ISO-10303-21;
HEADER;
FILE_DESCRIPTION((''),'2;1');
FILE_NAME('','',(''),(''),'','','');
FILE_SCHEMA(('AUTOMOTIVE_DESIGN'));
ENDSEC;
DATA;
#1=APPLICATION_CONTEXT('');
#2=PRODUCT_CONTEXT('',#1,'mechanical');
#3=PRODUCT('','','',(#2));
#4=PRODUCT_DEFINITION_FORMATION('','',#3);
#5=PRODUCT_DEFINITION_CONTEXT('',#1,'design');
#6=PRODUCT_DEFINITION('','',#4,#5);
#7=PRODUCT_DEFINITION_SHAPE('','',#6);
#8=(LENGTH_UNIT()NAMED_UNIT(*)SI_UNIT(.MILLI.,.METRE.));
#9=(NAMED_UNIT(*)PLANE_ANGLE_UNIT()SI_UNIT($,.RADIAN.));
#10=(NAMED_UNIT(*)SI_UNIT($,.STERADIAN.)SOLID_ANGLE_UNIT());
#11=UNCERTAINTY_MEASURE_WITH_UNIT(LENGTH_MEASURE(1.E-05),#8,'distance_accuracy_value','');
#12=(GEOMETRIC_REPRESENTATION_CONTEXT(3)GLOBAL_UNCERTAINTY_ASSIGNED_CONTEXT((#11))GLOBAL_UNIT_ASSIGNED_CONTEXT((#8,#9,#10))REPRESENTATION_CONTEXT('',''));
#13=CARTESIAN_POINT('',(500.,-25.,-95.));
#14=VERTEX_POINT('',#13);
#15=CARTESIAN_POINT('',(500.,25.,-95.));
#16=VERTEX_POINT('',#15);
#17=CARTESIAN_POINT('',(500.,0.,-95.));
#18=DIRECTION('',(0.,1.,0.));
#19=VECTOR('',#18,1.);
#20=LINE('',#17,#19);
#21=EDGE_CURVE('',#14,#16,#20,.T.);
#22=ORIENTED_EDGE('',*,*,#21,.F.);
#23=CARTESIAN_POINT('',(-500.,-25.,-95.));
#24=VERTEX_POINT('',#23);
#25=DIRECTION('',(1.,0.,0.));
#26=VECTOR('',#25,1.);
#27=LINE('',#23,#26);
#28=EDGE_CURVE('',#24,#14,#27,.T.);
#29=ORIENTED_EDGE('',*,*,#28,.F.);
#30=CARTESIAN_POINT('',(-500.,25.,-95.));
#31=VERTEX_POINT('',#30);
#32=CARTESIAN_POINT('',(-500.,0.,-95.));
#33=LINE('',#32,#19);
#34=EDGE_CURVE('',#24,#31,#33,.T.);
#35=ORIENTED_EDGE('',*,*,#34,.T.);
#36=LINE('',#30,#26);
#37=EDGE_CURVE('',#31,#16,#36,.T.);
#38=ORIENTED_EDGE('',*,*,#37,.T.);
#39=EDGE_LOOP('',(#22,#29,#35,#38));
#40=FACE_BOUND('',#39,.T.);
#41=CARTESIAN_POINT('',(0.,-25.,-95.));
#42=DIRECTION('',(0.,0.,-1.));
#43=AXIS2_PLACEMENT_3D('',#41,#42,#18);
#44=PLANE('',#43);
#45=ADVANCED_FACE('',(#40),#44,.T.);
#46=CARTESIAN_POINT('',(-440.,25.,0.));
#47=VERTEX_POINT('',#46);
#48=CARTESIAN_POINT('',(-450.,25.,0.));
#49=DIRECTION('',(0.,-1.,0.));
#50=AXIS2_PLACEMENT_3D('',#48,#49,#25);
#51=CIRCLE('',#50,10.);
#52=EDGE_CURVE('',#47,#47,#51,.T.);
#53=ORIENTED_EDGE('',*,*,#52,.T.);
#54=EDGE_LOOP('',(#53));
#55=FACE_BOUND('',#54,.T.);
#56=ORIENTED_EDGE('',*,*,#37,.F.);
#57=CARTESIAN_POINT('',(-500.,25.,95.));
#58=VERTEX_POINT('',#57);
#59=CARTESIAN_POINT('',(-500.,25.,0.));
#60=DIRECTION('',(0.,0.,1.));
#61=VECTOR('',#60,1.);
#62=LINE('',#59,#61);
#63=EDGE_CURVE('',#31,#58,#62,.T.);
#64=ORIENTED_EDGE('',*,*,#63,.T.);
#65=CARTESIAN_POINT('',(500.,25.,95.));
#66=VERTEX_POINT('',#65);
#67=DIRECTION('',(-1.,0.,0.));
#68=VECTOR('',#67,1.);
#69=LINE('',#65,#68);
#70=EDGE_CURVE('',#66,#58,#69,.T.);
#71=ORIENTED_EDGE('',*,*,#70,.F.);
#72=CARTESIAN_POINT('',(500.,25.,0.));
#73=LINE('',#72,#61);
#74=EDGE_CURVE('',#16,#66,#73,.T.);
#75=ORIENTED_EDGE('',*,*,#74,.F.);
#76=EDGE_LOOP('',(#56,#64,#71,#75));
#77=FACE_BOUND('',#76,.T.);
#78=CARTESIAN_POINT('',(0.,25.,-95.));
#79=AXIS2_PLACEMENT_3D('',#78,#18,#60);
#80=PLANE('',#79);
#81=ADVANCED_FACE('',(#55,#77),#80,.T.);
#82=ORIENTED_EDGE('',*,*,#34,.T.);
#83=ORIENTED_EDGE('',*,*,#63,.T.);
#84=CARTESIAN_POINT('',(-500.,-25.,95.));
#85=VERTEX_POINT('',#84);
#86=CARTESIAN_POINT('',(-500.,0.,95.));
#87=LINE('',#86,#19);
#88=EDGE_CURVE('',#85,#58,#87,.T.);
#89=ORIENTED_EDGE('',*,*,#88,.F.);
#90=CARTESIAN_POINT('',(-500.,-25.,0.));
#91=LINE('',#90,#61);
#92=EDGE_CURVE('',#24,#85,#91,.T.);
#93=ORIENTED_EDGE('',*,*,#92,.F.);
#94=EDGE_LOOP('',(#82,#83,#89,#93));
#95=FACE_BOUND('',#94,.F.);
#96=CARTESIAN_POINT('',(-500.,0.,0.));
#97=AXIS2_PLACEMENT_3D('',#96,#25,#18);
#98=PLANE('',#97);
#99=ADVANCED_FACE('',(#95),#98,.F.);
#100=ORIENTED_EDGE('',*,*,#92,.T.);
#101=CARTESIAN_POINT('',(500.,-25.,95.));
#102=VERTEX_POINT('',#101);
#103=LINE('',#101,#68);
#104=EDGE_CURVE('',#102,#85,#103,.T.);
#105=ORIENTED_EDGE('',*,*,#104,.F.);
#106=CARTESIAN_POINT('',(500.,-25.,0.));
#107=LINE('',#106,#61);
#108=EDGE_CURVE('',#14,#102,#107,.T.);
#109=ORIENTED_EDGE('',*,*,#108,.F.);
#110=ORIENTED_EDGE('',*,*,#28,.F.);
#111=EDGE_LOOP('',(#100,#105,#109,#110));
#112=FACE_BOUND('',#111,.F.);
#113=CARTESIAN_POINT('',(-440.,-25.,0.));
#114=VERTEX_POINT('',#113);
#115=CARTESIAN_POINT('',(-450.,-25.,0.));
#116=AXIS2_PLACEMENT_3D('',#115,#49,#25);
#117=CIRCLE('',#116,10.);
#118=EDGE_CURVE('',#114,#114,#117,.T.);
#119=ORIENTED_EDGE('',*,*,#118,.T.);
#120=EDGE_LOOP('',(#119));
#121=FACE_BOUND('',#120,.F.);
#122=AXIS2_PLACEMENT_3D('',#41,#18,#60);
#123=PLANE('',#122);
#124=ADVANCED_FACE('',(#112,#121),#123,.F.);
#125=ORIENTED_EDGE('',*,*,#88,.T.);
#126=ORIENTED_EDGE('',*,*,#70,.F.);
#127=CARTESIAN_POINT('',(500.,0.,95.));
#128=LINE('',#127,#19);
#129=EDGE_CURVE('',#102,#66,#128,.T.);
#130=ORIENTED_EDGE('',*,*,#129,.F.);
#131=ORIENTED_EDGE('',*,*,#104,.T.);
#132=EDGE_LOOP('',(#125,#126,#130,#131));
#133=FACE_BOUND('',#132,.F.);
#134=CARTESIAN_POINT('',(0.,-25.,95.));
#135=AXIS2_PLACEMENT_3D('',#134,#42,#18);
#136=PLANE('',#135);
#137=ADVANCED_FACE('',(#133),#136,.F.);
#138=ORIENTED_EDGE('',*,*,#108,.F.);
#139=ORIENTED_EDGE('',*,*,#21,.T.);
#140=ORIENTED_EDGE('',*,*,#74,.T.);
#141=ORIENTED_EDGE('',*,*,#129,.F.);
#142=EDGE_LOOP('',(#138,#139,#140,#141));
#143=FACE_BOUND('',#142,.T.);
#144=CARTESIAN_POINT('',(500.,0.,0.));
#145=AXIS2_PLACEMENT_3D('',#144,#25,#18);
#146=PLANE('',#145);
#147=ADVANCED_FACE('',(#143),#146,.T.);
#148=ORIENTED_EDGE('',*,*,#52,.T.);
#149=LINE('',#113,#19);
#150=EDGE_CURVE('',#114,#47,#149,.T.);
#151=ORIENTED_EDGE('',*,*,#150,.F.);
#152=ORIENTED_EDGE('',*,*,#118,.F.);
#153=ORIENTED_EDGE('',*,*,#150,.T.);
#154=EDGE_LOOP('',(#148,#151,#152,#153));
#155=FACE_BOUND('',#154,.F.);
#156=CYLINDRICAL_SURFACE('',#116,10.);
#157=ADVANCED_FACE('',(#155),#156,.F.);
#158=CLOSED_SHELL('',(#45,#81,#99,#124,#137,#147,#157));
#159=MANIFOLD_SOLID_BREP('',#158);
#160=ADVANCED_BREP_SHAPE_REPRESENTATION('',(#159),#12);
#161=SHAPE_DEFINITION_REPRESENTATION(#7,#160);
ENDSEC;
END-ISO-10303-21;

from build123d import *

# Parameters (mm, degrees)
F0_W     = 50
F0_H     = 190
F1_DEPTH = 500
F3_R     = 10
F4_DEPTH = 50.001


with BuildPart() as f1:
    # F0 (on Right) → F1 (new body, symmetric)
    with BuildSketch(Plane.YZ):
        Rectangle(F0_W, F0_H)
    extrude(amount=F1_DEPTH, both=True)

    # F3 (on face) → F4 (cut, through all)
    with BuildSketch(Plane.XZ.offset(25)):
        with Locations((-450, 0)):
            Circle(F3_R)
    extrude(amount=-F4_DEPTH, mode=Mode.SUBTRACT)


solid = f1.part
